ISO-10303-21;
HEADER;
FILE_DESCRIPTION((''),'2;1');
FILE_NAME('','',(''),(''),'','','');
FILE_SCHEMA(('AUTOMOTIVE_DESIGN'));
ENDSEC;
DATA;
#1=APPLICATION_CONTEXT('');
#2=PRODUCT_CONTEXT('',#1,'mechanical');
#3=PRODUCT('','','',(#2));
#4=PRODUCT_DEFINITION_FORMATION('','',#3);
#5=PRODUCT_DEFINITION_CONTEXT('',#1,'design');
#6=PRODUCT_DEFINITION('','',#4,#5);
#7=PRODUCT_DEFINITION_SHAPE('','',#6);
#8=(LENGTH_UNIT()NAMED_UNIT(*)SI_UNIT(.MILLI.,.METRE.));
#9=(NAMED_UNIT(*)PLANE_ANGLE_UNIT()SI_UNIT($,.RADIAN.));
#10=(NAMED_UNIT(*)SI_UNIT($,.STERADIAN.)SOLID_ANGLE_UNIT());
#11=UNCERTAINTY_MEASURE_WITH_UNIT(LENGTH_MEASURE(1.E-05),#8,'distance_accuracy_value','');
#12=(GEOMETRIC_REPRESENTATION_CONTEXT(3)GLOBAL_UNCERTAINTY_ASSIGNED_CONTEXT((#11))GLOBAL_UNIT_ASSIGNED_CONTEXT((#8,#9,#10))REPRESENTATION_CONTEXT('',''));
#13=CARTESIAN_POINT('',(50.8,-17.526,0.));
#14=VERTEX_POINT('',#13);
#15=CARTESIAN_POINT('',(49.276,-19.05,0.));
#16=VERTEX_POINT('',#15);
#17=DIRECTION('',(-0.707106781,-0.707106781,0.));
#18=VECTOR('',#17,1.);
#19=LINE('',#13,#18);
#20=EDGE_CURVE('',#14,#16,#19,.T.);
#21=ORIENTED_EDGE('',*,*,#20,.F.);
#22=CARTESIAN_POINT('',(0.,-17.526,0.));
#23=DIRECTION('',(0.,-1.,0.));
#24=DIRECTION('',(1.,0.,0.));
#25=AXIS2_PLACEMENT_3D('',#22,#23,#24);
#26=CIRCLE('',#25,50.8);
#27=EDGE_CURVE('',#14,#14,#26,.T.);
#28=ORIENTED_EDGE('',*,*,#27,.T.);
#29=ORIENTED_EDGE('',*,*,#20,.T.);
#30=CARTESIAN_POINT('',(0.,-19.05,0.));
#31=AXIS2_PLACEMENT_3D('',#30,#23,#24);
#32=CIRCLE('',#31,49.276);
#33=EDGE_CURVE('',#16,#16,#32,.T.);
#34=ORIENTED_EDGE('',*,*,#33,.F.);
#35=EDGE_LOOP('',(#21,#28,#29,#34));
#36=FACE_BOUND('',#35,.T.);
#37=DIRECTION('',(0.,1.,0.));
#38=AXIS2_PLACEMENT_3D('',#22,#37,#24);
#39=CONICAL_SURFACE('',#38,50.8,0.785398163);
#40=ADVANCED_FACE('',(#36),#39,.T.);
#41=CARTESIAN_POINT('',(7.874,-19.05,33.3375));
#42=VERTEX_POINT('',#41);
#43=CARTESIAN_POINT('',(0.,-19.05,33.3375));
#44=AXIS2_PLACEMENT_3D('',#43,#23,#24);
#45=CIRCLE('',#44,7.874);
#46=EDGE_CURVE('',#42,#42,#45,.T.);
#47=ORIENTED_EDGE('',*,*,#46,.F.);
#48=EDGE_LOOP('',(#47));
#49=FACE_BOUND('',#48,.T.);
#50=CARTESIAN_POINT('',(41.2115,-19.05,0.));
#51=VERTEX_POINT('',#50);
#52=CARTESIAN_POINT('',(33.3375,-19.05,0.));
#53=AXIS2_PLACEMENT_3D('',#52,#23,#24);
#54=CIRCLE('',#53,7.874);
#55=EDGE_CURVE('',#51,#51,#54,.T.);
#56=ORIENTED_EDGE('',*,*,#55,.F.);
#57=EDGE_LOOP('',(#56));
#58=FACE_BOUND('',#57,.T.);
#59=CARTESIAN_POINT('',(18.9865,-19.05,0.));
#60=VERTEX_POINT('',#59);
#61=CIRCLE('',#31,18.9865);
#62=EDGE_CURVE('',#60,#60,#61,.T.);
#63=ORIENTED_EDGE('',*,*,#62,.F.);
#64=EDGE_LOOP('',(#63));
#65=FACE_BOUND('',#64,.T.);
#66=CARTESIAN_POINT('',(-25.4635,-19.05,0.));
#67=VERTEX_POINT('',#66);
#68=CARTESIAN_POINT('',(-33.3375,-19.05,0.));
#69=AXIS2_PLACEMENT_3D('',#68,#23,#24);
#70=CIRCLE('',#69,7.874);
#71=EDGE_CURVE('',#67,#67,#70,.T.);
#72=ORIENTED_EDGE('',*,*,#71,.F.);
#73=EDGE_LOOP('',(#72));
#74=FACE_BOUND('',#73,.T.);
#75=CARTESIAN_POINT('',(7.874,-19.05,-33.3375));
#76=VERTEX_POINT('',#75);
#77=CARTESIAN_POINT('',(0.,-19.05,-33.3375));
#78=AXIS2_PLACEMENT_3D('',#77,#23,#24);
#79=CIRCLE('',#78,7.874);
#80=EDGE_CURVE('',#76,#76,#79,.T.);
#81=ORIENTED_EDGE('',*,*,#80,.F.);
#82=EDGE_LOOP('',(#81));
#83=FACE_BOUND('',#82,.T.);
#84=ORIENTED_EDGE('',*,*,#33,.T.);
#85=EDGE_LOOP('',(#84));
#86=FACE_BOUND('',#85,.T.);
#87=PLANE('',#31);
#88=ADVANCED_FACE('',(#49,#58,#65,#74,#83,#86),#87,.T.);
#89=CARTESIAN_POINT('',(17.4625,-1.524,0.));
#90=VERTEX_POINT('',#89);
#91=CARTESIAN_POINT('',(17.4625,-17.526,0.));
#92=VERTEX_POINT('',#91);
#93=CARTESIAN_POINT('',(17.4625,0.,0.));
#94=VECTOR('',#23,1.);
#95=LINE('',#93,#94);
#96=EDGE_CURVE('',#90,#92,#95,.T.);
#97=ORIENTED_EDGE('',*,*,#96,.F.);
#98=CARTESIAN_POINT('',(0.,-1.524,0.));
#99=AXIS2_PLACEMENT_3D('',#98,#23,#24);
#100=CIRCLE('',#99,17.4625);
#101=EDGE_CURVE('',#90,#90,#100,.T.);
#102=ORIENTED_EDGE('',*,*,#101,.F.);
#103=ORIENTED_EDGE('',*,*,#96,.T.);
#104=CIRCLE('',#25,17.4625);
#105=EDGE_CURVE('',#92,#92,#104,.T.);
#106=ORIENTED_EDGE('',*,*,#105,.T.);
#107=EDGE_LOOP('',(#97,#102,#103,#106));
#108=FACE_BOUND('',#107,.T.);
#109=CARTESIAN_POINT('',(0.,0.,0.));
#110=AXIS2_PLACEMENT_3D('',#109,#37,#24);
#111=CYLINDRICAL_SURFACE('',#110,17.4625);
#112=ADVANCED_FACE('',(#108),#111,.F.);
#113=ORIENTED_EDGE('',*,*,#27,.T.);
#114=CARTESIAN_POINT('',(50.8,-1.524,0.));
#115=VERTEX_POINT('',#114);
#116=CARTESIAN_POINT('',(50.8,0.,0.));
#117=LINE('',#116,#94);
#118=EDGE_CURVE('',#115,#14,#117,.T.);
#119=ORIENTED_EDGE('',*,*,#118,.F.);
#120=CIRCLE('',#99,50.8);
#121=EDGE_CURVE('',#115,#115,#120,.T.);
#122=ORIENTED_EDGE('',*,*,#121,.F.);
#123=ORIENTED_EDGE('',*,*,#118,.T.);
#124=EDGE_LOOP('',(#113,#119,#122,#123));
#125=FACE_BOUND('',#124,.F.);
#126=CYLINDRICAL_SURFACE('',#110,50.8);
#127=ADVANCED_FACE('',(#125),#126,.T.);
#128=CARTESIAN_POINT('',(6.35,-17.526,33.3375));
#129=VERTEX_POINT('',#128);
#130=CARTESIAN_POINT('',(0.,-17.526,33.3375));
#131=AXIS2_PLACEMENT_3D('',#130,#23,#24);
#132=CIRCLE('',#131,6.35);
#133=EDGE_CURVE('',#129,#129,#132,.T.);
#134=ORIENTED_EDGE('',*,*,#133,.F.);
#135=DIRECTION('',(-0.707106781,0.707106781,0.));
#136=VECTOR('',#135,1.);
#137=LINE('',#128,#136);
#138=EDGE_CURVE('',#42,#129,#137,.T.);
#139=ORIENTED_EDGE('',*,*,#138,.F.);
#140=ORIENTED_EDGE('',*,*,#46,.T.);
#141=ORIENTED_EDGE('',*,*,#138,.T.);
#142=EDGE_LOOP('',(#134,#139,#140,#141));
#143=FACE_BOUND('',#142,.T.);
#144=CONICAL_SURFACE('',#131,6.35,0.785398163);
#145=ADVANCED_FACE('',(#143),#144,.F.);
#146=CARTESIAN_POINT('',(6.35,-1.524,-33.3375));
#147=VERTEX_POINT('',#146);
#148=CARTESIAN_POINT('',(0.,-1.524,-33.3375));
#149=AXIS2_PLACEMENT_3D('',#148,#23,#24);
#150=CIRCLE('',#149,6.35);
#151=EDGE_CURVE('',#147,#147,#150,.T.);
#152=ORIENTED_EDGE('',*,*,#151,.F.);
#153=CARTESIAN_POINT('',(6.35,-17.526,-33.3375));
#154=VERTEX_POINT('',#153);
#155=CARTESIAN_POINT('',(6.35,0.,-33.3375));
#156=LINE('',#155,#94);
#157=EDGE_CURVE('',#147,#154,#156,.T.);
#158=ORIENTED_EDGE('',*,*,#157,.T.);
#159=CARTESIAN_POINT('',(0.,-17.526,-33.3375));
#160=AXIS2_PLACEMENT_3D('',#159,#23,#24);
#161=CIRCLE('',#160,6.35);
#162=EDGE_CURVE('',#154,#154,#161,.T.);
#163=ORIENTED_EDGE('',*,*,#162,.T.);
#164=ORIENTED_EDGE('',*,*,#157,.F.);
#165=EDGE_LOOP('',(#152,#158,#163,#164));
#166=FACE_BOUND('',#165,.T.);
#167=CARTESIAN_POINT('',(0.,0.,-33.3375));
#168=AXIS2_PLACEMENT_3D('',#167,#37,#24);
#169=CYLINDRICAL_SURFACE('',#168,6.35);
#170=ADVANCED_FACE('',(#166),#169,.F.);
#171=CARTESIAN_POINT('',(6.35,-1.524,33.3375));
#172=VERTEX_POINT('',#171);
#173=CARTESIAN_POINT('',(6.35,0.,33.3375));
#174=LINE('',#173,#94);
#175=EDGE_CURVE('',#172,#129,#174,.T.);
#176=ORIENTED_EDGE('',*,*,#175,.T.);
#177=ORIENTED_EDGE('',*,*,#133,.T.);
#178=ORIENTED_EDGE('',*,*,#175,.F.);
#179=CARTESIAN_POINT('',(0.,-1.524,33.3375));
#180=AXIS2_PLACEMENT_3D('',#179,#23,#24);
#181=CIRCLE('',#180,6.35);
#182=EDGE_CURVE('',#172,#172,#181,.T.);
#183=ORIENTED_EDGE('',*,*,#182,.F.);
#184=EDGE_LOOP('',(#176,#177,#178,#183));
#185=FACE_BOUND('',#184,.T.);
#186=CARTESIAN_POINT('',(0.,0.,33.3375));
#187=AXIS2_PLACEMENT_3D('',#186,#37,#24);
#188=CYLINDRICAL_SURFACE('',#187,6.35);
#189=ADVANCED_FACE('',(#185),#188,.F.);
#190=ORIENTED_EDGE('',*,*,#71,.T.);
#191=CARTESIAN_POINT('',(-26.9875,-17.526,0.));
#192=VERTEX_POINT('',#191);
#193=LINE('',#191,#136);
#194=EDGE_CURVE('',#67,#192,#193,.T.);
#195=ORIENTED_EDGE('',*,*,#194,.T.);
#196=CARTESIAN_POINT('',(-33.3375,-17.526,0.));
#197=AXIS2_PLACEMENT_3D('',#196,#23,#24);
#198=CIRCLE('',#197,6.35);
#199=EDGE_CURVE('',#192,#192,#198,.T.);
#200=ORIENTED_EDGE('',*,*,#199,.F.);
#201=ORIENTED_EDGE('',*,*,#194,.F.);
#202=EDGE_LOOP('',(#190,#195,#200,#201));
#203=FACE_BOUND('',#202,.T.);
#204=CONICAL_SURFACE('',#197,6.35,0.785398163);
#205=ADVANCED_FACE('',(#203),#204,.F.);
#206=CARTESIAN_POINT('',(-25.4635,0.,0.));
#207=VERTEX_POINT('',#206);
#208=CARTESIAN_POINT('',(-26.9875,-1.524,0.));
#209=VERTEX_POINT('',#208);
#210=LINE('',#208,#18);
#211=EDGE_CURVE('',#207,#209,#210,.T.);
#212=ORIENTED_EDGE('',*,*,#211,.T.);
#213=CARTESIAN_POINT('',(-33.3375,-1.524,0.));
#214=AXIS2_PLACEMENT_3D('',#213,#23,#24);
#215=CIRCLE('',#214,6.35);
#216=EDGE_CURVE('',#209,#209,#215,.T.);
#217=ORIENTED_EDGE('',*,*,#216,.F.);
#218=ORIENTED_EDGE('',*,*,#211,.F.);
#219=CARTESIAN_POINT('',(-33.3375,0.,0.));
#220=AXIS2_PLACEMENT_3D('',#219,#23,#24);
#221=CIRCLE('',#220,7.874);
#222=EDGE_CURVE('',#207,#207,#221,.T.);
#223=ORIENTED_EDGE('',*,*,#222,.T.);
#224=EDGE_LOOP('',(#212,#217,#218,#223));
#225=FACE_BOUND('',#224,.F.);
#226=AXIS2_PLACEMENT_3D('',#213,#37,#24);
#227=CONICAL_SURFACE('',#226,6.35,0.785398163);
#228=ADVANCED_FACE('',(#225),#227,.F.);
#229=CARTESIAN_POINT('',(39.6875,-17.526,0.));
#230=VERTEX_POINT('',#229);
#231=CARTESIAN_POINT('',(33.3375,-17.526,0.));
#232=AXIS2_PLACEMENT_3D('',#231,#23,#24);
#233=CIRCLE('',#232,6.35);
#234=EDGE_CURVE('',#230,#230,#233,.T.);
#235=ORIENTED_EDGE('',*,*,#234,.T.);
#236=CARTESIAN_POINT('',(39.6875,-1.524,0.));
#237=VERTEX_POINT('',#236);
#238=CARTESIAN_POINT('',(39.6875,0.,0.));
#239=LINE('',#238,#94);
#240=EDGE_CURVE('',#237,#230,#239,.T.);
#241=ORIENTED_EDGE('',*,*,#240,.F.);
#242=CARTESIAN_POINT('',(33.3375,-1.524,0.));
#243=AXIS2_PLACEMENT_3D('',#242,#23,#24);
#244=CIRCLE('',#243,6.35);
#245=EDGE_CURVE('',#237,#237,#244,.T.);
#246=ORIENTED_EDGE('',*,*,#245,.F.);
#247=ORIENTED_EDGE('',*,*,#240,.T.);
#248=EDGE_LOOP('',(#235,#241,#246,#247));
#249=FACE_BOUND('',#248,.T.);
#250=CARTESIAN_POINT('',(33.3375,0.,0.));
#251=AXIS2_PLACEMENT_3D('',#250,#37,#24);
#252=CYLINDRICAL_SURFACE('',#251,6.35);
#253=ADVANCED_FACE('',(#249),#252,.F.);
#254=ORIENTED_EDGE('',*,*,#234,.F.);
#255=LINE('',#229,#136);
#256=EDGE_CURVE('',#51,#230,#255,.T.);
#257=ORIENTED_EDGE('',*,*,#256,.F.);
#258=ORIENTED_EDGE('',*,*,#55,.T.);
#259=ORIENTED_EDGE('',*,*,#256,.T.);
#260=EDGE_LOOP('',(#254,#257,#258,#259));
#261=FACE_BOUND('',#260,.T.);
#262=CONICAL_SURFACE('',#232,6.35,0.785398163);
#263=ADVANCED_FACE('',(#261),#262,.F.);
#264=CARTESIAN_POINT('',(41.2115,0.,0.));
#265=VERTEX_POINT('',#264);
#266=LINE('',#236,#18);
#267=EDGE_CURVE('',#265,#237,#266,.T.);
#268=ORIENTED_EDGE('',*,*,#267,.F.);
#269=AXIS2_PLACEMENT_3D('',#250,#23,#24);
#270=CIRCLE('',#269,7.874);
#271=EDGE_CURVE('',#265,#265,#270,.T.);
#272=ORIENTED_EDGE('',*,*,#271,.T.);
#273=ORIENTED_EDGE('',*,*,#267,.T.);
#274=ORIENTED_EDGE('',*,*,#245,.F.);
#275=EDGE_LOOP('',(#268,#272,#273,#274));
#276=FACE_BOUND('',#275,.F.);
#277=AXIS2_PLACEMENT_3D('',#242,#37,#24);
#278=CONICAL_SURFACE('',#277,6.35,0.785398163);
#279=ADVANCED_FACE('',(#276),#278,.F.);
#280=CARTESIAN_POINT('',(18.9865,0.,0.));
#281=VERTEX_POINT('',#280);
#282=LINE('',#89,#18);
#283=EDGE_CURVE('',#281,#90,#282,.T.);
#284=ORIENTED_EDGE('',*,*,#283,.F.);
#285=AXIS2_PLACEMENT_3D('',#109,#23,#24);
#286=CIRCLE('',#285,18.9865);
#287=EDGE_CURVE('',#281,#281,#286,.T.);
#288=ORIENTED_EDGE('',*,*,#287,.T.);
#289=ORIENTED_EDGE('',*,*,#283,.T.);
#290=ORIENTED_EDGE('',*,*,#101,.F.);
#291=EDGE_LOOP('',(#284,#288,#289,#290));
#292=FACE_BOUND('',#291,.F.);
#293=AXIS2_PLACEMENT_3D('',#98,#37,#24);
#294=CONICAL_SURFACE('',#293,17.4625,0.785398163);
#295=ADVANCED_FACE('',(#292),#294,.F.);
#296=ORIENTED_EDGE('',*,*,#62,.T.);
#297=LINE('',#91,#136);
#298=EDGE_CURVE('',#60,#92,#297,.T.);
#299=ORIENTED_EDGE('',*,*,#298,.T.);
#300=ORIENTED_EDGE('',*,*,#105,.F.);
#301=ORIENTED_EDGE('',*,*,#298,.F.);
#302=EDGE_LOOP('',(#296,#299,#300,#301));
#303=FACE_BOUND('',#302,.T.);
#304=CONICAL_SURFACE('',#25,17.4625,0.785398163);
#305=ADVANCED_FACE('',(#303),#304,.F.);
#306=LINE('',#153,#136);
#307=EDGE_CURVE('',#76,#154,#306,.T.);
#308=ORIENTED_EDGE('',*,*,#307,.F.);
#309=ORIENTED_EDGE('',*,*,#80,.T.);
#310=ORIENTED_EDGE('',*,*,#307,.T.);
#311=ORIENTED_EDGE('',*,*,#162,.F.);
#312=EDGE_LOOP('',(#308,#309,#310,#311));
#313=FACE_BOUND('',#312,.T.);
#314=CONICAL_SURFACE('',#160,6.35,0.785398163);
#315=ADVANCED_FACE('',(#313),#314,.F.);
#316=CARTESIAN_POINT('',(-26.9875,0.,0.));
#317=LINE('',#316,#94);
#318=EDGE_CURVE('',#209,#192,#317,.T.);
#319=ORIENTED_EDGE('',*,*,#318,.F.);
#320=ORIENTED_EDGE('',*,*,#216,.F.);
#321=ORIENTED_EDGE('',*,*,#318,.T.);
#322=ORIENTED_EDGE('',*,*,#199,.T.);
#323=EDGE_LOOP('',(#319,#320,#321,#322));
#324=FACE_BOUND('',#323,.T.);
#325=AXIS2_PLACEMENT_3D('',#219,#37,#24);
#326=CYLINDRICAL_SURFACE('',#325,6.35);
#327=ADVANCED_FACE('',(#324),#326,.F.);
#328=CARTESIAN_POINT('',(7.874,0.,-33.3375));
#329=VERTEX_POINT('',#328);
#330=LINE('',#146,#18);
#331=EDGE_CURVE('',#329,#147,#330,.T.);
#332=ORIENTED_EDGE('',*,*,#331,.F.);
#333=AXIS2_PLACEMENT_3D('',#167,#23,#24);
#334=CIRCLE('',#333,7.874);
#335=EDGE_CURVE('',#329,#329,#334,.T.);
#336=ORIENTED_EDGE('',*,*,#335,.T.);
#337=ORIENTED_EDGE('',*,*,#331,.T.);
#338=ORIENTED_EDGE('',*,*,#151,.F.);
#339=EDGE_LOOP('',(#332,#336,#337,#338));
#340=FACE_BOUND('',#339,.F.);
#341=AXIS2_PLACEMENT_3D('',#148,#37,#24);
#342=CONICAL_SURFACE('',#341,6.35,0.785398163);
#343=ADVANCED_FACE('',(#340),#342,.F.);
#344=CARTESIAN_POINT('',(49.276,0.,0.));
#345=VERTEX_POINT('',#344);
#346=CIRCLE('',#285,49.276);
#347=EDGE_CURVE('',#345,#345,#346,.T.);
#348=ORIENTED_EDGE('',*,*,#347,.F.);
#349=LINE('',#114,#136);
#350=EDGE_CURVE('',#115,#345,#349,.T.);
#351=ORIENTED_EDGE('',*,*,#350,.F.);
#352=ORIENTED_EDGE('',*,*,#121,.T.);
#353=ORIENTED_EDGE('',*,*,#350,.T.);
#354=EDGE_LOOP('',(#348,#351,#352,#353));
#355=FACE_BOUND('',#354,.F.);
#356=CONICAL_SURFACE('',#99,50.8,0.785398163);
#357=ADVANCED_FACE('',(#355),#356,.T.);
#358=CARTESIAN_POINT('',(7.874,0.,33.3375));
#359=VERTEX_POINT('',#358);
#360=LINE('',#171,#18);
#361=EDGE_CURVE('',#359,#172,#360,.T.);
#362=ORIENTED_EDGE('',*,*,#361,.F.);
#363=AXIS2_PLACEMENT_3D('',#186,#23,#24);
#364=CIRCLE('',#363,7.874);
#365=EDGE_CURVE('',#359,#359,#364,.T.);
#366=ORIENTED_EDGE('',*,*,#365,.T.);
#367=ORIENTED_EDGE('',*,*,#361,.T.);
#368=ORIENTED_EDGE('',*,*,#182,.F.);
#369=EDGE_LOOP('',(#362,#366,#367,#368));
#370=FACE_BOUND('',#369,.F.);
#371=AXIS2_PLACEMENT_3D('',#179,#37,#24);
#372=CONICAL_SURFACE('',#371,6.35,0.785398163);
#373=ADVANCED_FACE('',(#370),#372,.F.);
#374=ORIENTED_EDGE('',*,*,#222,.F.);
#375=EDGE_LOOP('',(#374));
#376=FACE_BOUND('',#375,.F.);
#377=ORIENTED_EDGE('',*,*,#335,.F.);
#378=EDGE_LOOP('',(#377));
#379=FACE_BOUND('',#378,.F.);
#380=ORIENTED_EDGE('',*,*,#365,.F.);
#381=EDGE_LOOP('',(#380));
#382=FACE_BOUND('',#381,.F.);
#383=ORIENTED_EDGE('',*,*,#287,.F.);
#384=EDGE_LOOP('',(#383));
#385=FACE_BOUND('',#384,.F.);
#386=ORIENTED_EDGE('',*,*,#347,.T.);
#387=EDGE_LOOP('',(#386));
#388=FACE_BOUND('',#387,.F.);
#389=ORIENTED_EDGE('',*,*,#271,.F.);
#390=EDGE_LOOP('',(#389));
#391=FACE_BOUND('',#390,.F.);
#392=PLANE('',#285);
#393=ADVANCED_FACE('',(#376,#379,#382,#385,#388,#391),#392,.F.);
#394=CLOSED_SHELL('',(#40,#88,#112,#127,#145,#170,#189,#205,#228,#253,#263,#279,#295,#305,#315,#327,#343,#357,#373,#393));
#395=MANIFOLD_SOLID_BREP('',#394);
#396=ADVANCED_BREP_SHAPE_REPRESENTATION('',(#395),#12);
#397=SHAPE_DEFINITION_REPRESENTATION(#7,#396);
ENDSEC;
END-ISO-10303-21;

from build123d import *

# Parameters (mm, degrees)
F0_R     = 50.8
F0_R_2   = 6.35
F0_R_3   = 17.4625
F1_DEPTH = 19.05
F2_SIZE  = 1.524
F3_SIZE  = 1.524
F4_SIZE  = 1.524
F5_SIZE  = 1.524
F6_SIZE  = 1.524
F7_SIZE  = 1.524
F8_SIZE  = 1.524
F9_SIZE  = 1.524


with BuildPart() as f1:
    # F0 (on Front) → F1 (new body)
    with BuildSketch(Plane.XZ):
        Circle(F0_R)
        with Locations((0, -33.3375)):
            Circle(F0_R_2, mode=Mode.SUBTRACT)
        with Locations((-33.3375, 0)):
            Circle(F0_R_2, mode=Mode.SUBTRACT)
        Circle(F0_R_3, mode=Mode.SUBTRACT)
        with Locations((33.3375, 0)):
            Circle(F0_R_2, mode=Mode.SUBTRACT)
        with Locations((0, 33.3375)):
            Circle(F0_R_2, mode=Mode.SUBTRACT)
    extrude(amount=F1_DEPTH)

    # F2
    f2_edges = [f1.edges().sort_by_distance(p)[0] for p in [
        (-50.8, -19.05, 0),
    ]]
    chamfer(f2_edges, length=F2_SIZE)

    # F3
    f3_edges = [f1.edges().sort_by_distance(p)[0] for p in [
        (-6.35, -19.05, 33.3375),
    ]]
    chamfer(f3_edges, length=F3_SIZE)

    # F4
    f4_edges = [f1.edges().sort_by_distance(p)[0] for p in [
        (-39.6875, -19.05, 0),
    ]]
    chamfer(f4_edges, length=F4_SIZE)

    # F5
    f5_edges = [f1.edges().sort_by_distance(p)[0] for p in [
        (-6.35, -19.05, -33.3375),
    ]]
    chamfer(f5_edges, length=F5_SIZE)

    # F6
    f6_edges = [f1.edges().sort_by_distance(p)[0] for p in [
        (26.9875, -19.05, 0),
    ]]
    chamfer(f6_edges, length=F6_SIZE)

    # F7
    f7_edges = [f1.edges().sort_by_distance(p)[0] for p in [
        (-17.4625, -19.05, 0),
    ]]
    chamfer(f7_edges, length=F7_SIZE)

    # F8
    f8_edges = [f1.edges().sort_by_distance(p)[0] for p in [
        (-50.8, 0, 0),
    ]]
    chamfer(f8_edges, length=F8_SIZE)

    # F9
    f9_edges = [f1.edges().sort_by_distance(p)[0] for p in [
        (-6.35, 0, -33.3375),
        (26.9875, 0, 0),
        (-6.35, 0, 33.3375),
        (-39.6875, 0, 0),
        (-17.4625, 0, 0),
    ]]
    chamfer(f9_edges, length=F9_SIZE)


solid = f1.part
